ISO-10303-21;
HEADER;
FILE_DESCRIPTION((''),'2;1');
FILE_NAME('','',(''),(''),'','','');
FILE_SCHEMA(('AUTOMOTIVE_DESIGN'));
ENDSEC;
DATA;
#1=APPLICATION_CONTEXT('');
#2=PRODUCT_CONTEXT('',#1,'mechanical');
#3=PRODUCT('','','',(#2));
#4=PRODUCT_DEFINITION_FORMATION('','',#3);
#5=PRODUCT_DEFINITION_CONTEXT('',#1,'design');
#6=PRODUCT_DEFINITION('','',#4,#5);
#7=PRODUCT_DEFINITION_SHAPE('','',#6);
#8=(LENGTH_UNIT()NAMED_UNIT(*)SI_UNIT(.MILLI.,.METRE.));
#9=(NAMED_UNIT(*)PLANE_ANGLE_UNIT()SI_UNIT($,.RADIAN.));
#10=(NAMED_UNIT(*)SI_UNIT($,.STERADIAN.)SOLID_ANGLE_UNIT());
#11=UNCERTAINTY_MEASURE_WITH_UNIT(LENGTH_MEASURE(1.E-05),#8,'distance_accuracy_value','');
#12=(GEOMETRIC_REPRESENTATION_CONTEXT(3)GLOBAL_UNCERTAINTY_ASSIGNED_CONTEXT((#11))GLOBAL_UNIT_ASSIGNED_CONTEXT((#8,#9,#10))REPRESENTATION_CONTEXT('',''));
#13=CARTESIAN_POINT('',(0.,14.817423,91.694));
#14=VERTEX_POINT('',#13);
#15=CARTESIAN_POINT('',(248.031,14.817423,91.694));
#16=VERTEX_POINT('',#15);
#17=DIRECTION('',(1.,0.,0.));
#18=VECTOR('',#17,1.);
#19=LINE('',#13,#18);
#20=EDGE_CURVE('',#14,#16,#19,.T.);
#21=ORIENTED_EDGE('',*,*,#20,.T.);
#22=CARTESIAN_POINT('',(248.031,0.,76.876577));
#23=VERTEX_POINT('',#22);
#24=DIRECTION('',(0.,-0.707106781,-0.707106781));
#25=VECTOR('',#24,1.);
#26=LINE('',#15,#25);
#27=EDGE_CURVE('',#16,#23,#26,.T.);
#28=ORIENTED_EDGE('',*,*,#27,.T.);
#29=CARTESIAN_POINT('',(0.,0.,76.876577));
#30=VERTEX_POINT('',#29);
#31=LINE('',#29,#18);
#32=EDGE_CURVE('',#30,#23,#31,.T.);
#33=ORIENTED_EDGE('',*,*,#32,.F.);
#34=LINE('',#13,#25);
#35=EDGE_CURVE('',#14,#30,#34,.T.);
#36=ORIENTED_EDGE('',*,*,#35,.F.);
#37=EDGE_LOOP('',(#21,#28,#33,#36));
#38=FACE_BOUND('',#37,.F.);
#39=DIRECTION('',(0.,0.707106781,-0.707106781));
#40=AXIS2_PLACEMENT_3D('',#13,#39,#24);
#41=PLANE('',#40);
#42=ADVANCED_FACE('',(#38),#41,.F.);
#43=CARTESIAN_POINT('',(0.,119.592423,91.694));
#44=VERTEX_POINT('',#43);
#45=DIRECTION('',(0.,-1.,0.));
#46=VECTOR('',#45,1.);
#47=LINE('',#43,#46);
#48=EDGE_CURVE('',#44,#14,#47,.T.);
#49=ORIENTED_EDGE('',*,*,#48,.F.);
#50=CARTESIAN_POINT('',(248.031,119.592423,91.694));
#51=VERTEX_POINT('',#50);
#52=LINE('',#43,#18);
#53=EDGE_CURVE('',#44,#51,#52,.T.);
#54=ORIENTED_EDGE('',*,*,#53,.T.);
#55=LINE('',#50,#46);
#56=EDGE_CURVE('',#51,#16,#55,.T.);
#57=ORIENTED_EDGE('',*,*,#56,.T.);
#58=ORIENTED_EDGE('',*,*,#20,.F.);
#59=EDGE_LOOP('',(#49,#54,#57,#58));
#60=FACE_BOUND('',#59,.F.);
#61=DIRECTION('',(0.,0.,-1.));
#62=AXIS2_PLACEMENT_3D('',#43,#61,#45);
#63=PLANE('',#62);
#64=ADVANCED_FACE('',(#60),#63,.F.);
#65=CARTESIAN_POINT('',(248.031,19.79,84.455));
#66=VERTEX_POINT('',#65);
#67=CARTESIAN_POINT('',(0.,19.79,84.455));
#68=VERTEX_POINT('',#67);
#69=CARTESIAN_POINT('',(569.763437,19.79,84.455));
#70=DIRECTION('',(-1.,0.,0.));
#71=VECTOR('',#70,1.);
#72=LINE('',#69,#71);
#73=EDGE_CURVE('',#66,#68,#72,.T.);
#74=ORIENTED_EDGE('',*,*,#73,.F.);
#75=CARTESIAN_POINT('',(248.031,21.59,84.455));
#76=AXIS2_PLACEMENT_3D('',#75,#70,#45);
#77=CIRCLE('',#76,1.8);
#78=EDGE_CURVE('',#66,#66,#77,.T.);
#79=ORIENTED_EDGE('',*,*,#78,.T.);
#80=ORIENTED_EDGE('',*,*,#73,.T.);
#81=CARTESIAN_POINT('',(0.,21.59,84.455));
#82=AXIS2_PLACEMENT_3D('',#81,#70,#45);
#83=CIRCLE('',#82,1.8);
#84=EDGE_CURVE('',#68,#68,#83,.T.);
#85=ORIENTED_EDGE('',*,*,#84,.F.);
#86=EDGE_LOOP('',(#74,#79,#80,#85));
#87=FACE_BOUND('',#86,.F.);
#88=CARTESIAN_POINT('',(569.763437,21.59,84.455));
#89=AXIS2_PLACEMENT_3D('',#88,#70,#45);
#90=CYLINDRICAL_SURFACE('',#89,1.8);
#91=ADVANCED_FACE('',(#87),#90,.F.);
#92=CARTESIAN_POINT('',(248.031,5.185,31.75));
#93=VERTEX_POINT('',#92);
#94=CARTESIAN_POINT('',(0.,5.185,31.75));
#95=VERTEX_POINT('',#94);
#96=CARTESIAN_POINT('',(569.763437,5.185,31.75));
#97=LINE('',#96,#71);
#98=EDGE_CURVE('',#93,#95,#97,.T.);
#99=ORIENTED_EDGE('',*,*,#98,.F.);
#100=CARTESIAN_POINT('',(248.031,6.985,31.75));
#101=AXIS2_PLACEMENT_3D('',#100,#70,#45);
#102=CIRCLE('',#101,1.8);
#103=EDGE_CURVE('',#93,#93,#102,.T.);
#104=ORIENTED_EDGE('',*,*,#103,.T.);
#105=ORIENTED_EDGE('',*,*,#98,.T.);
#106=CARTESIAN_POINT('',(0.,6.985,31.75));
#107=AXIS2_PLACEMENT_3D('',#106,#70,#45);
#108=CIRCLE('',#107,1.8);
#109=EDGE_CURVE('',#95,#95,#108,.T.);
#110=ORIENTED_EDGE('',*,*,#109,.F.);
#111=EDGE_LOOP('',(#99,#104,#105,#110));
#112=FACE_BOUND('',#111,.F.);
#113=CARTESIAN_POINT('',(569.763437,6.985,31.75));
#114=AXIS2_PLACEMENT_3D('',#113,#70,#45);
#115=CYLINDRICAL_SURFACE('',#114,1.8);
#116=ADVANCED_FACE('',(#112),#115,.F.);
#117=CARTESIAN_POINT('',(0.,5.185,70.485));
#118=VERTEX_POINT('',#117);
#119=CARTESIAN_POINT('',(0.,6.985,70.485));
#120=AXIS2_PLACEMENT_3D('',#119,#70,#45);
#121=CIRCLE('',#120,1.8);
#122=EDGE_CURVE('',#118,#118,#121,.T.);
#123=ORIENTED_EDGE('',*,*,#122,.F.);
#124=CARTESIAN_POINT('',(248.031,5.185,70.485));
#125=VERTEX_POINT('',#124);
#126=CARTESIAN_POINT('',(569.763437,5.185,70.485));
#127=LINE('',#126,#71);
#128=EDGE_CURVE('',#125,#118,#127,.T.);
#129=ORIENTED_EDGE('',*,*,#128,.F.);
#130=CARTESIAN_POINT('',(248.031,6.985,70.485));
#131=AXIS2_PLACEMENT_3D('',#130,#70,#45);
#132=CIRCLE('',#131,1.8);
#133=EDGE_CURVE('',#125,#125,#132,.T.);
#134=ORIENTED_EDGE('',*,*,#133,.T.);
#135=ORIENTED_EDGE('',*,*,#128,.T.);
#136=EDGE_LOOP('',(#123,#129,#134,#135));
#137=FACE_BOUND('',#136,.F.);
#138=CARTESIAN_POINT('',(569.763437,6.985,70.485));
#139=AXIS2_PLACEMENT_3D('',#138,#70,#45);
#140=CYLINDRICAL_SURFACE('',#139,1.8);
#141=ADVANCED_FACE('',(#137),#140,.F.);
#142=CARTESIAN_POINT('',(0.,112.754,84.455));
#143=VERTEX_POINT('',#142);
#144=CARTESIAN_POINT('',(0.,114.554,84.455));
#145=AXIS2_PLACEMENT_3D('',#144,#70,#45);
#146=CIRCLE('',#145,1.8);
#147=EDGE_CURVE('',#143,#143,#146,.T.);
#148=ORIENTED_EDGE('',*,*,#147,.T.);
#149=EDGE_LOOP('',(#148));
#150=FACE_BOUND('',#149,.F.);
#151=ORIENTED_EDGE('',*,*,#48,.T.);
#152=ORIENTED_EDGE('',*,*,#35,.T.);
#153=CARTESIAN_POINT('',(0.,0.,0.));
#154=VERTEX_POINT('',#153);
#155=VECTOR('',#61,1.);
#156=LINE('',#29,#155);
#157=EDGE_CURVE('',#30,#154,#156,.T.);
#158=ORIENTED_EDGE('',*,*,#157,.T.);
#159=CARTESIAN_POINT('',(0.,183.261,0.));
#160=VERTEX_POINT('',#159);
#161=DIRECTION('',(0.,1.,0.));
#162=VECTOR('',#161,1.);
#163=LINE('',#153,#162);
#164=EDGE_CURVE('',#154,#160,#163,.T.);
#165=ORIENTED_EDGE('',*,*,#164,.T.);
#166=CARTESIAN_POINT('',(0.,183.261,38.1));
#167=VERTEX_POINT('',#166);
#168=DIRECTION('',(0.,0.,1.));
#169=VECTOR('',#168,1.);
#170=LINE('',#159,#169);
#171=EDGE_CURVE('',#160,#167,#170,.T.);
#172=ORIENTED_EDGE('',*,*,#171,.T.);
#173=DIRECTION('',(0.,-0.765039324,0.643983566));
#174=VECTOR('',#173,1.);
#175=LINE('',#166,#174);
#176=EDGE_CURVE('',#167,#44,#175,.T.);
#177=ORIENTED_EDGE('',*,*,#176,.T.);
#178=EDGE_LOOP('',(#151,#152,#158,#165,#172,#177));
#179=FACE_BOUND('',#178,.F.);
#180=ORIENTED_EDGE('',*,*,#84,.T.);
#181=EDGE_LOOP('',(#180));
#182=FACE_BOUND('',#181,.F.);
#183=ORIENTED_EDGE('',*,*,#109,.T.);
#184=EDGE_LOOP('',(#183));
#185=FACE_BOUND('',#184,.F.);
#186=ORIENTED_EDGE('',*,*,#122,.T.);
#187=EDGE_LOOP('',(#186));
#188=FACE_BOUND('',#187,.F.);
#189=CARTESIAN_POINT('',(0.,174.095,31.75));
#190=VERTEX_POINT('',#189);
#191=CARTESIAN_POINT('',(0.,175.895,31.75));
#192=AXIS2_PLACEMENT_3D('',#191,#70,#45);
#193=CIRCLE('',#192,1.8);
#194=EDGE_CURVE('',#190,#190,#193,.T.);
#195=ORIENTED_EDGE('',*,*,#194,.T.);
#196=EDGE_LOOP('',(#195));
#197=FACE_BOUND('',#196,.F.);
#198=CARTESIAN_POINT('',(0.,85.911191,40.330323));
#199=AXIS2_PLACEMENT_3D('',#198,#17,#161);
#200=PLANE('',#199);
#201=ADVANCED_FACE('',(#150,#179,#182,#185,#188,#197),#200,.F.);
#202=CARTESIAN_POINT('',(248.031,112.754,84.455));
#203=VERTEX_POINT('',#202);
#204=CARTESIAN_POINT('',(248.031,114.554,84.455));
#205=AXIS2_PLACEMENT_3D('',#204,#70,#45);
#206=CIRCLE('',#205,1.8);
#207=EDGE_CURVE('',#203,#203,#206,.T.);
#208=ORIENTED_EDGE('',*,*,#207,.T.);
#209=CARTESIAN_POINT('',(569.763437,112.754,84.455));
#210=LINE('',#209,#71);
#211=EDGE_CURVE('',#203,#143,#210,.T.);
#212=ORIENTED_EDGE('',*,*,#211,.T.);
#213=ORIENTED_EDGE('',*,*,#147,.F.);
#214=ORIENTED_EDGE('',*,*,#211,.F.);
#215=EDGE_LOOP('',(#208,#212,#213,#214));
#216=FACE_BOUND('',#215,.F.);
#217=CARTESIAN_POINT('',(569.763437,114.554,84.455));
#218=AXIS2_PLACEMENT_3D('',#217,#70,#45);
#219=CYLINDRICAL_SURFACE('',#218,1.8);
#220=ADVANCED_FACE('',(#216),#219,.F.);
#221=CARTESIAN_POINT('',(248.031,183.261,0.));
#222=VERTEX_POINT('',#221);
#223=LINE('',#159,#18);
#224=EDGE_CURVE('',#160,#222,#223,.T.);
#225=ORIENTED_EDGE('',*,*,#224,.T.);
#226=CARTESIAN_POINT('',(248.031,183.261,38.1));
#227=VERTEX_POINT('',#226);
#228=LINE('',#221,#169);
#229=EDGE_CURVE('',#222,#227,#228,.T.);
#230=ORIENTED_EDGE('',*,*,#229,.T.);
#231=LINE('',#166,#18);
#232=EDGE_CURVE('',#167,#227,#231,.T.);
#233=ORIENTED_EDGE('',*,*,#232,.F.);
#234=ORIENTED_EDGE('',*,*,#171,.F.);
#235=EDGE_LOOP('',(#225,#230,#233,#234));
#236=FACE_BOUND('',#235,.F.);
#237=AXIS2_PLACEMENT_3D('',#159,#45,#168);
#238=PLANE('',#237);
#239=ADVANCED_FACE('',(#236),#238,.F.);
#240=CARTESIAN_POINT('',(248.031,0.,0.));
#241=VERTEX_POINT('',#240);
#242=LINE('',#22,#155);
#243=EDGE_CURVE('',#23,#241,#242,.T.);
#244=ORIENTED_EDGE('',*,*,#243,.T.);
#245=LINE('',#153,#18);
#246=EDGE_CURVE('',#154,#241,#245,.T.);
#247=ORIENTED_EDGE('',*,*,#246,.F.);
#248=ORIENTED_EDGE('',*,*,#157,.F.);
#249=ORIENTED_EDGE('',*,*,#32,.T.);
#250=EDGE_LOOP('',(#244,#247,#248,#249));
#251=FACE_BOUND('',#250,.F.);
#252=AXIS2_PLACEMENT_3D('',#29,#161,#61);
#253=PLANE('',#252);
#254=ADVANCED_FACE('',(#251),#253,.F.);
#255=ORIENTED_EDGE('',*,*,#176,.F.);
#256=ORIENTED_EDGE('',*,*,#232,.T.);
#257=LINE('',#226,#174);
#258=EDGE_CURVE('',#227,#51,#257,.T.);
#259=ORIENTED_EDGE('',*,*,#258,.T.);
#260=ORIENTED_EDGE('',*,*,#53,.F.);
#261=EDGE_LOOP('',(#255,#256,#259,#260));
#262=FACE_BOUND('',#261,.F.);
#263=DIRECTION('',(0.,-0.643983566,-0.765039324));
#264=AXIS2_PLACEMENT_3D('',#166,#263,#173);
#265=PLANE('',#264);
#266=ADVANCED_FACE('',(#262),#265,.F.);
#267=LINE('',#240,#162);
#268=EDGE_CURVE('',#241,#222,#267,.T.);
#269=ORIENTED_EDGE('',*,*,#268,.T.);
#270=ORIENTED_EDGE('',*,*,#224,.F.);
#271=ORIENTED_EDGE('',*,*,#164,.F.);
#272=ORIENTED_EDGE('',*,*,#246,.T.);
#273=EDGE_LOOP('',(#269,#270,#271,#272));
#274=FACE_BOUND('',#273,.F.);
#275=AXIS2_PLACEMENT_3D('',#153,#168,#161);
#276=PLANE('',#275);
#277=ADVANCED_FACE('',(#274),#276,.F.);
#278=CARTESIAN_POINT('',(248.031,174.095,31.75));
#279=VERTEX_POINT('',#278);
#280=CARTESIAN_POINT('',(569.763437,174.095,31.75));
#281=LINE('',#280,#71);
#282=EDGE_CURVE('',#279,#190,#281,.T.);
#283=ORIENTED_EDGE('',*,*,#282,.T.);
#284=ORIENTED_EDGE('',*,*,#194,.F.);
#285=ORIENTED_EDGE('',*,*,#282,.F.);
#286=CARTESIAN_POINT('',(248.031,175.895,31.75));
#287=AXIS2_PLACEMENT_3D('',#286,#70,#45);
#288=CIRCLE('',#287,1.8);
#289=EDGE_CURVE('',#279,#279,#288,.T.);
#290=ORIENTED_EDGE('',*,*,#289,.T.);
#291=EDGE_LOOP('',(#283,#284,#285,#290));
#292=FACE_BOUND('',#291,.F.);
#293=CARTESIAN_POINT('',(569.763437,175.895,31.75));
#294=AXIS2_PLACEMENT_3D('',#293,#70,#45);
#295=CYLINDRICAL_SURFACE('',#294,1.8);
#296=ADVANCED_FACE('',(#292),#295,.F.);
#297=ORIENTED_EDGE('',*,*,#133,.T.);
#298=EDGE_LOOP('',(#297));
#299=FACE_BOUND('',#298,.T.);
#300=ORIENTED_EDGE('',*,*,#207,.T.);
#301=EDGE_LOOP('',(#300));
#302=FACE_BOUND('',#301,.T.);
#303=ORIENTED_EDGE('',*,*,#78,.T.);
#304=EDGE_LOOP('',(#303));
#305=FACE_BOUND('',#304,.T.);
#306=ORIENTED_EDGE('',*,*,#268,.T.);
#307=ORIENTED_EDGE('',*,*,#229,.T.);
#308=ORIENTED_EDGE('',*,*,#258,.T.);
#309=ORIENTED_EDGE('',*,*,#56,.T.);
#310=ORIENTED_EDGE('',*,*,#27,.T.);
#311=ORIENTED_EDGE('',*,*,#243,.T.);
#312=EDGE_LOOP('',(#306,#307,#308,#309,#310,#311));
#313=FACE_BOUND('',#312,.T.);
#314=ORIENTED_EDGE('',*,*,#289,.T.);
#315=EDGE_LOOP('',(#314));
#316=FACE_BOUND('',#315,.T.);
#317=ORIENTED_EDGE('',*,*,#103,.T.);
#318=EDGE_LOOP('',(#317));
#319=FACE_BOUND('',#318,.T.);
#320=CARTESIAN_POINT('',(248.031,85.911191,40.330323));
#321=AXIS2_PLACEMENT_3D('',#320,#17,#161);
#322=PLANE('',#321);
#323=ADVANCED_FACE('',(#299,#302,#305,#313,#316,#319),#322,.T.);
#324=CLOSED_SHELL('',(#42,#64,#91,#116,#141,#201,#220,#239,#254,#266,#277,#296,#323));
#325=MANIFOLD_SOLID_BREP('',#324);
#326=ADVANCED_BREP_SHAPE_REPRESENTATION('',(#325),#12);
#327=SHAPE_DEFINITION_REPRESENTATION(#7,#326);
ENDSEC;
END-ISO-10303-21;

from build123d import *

# Parameters (mm, degrees)
F1_DEPTH = 248.031
F3_D     = 3.6


with BuildPart() as f1:
    # F0 (on Right) → F1 (new body)
    with BuildSketch(Plane.YZ):
        Polygon((0, 76.8765774002), (0, 0), (183.261, 0), (183.261, 38.1), (119.5924225998, 91.694), (14.8174225998, 91.694), align=None)
    extrude(amount=F1_DEPTH)

    # F3 (through all)
    with Locations(Plane.YZ.offset(248.031)):
        with Locations((21.59, 84.455), (6.985, 70.485), (6.985, 31.75), (175.895, 31.75), (114.554, 84.455)):
            Hole(F3_D / 2)


solid = f1.part
